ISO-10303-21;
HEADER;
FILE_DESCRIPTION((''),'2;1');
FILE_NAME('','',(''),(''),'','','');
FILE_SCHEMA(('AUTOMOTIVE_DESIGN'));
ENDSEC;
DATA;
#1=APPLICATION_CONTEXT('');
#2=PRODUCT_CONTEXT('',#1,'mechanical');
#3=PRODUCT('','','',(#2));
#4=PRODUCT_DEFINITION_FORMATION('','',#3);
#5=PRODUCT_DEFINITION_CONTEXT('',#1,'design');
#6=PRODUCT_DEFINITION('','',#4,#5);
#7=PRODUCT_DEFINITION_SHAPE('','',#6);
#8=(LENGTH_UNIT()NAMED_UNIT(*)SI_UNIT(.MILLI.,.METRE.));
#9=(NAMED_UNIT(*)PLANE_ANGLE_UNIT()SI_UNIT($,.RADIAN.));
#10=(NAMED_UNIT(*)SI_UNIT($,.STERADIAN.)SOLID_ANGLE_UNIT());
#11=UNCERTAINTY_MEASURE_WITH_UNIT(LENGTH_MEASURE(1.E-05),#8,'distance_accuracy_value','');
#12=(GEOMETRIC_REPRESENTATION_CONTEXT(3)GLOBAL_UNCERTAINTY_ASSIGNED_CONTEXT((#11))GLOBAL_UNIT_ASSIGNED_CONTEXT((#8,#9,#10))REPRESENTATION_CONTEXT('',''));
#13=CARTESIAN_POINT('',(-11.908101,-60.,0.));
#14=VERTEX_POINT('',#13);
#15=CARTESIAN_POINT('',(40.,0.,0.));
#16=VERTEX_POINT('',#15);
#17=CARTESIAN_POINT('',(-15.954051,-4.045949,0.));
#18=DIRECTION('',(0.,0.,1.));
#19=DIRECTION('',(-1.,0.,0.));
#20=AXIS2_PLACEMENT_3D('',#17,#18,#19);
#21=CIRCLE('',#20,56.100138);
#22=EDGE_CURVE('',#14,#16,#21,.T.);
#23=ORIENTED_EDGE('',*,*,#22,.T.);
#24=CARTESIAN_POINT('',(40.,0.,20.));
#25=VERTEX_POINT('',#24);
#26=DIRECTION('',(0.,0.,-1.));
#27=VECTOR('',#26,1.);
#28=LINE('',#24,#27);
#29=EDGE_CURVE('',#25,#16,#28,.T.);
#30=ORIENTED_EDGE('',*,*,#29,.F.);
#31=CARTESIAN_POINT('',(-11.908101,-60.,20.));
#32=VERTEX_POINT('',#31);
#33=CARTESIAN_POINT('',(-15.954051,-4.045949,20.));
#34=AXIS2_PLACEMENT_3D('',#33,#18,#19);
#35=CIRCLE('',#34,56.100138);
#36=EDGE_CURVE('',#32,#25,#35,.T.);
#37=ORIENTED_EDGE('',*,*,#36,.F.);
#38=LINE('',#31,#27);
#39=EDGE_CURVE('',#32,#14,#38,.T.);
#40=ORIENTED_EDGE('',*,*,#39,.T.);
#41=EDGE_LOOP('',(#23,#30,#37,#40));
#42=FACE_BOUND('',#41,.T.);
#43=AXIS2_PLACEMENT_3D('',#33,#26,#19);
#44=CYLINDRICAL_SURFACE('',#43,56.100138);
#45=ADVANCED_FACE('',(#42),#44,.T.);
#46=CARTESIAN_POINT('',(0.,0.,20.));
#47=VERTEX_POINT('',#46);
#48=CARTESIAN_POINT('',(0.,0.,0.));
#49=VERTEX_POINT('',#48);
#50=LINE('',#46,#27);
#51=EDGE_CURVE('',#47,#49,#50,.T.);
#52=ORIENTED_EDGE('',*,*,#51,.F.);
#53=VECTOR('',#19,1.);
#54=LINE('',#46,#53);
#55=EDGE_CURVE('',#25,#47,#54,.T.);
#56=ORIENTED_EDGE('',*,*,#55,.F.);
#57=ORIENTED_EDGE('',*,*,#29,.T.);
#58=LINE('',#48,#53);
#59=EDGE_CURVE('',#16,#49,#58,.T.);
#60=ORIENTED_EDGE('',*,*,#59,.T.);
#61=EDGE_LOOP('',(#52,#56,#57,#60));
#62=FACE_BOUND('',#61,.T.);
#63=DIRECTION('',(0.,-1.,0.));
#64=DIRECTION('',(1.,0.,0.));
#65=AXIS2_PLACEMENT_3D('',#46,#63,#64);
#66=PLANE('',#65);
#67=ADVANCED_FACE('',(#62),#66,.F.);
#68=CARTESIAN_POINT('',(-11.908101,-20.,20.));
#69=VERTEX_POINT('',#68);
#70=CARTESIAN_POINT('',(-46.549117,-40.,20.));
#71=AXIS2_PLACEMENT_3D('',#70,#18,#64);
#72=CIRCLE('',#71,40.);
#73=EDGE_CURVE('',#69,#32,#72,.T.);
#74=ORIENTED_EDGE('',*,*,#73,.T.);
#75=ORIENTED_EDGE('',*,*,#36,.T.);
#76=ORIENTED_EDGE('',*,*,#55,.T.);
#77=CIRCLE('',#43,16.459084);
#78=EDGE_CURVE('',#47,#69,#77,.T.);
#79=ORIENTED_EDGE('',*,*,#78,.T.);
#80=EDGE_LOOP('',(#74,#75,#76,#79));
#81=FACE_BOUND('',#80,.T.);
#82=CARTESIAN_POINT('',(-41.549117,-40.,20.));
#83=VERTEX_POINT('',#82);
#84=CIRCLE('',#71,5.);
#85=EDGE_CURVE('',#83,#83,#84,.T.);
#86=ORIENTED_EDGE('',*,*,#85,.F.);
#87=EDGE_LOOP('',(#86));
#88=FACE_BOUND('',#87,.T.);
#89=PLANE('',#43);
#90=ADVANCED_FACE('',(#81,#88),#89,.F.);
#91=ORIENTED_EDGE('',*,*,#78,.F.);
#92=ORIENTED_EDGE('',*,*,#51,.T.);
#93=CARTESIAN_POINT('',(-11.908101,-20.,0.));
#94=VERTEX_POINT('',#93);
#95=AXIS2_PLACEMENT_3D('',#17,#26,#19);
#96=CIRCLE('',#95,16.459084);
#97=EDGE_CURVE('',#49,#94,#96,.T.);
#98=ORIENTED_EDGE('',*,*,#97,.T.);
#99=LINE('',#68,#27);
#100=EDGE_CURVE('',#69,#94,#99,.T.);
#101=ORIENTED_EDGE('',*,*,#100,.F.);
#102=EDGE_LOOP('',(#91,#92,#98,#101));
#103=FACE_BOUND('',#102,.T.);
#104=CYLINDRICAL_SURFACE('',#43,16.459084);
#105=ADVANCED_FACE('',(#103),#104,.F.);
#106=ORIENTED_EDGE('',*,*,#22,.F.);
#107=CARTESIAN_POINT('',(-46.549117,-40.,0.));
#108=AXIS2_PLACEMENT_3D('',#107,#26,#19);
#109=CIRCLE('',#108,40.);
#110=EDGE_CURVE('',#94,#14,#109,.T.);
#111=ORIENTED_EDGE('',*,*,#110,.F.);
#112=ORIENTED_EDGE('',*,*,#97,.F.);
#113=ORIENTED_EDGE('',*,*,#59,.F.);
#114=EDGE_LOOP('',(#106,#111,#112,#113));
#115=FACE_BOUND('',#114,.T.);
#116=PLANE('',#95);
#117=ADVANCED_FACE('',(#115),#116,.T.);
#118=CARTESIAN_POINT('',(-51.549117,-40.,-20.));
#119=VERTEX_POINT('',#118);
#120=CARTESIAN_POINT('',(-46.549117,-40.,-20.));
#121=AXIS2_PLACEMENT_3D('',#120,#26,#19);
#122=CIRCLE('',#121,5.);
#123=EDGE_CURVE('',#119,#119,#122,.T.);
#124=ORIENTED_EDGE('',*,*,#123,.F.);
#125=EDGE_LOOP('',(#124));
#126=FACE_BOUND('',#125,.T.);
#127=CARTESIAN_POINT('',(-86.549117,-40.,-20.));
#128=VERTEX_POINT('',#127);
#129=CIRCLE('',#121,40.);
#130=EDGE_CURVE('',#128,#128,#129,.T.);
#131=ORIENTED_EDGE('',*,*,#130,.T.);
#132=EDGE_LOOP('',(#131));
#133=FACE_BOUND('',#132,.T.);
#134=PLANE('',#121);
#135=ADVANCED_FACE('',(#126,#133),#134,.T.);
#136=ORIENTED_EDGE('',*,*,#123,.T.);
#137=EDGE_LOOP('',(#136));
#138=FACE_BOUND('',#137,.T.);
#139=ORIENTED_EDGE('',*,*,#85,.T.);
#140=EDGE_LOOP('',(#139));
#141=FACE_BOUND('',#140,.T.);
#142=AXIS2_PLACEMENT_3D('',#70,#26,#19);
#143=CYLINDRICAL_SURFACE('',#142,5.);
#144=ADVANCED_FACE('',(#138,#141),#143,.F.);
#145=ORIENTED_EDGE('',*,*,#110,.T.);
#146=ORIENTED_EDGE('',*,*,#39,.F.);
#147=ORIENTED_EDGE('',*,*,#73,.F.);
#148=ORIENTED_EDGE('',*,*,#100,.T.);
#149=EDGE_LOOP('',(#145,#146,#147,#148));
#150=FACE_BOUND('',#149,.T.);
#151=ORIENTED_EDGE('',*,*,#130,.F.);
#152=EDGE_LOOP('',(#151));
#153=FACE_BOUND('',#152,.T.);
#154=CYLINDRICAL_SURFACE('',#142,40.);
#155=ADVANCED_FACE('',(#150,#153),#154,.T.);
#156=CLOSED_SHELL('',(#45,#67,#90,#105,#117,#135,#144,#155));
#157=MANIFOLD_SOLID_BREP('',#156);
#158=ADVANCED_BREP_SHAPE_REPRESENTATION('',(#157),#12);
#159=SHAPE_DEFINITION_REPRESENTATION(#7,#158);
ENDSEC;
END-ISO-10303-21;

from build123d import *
from build123d.topology import SkipClean

# Parameters (mm, degrees)
SKETCH1_R           = 5
BOSS_EXTRUDE1_DEPTH = 20
SKETCH2_R           = 40
SKETCH2_R_2         = 5
BOSS_EXTRUDE2_DEPTH = 20


with BuildPart() as part:
    # Sketch1 → Boss-Extrude1 (new body)
    with BuildSketch(Plane.XY):
        with BuildLine():
            Line((0, 0), (40, 0))
            ThreePointArc((40, 0), (26.472356234, -40.750519772), (-11.908101275, -60))
            ThreePointArc((-11.908101275, -60), (-86.549117426, -40), (-11.908101275, -20))
            ThreePointArc((-11.908101275, -20), (-1.811915014, -12.466248525), (0, 0))
        make_face()
        with Locations((-46.549117426, -40)):
            Circle(SKETCH1_R, mode=Mode.SUBTRACT)
    extrude(amount=BOSS_EXTRUDE1_DEPTH)

    # Sketch2 → Boss-Extrude2 (add)
    with SkipClean():  # the faces are left unmerged after this step: merging them gives an invalid solid
        with BuildSketch(Plane(origin=(0, 0, 0), x_dir=(-1, 0, 0), z_dir=(0, 0, -1))):
            with Locations((46.549117426, -40)):
                Circle(SKETCH2_R)
            with Locations((46.549117426, -40)):
                Circle(SKETCH2_R_2, mode=Mode.SUBTRACT)
        extrude(amount=BOSS_EXTRUDE2_DEPTH)


solid = part.part
